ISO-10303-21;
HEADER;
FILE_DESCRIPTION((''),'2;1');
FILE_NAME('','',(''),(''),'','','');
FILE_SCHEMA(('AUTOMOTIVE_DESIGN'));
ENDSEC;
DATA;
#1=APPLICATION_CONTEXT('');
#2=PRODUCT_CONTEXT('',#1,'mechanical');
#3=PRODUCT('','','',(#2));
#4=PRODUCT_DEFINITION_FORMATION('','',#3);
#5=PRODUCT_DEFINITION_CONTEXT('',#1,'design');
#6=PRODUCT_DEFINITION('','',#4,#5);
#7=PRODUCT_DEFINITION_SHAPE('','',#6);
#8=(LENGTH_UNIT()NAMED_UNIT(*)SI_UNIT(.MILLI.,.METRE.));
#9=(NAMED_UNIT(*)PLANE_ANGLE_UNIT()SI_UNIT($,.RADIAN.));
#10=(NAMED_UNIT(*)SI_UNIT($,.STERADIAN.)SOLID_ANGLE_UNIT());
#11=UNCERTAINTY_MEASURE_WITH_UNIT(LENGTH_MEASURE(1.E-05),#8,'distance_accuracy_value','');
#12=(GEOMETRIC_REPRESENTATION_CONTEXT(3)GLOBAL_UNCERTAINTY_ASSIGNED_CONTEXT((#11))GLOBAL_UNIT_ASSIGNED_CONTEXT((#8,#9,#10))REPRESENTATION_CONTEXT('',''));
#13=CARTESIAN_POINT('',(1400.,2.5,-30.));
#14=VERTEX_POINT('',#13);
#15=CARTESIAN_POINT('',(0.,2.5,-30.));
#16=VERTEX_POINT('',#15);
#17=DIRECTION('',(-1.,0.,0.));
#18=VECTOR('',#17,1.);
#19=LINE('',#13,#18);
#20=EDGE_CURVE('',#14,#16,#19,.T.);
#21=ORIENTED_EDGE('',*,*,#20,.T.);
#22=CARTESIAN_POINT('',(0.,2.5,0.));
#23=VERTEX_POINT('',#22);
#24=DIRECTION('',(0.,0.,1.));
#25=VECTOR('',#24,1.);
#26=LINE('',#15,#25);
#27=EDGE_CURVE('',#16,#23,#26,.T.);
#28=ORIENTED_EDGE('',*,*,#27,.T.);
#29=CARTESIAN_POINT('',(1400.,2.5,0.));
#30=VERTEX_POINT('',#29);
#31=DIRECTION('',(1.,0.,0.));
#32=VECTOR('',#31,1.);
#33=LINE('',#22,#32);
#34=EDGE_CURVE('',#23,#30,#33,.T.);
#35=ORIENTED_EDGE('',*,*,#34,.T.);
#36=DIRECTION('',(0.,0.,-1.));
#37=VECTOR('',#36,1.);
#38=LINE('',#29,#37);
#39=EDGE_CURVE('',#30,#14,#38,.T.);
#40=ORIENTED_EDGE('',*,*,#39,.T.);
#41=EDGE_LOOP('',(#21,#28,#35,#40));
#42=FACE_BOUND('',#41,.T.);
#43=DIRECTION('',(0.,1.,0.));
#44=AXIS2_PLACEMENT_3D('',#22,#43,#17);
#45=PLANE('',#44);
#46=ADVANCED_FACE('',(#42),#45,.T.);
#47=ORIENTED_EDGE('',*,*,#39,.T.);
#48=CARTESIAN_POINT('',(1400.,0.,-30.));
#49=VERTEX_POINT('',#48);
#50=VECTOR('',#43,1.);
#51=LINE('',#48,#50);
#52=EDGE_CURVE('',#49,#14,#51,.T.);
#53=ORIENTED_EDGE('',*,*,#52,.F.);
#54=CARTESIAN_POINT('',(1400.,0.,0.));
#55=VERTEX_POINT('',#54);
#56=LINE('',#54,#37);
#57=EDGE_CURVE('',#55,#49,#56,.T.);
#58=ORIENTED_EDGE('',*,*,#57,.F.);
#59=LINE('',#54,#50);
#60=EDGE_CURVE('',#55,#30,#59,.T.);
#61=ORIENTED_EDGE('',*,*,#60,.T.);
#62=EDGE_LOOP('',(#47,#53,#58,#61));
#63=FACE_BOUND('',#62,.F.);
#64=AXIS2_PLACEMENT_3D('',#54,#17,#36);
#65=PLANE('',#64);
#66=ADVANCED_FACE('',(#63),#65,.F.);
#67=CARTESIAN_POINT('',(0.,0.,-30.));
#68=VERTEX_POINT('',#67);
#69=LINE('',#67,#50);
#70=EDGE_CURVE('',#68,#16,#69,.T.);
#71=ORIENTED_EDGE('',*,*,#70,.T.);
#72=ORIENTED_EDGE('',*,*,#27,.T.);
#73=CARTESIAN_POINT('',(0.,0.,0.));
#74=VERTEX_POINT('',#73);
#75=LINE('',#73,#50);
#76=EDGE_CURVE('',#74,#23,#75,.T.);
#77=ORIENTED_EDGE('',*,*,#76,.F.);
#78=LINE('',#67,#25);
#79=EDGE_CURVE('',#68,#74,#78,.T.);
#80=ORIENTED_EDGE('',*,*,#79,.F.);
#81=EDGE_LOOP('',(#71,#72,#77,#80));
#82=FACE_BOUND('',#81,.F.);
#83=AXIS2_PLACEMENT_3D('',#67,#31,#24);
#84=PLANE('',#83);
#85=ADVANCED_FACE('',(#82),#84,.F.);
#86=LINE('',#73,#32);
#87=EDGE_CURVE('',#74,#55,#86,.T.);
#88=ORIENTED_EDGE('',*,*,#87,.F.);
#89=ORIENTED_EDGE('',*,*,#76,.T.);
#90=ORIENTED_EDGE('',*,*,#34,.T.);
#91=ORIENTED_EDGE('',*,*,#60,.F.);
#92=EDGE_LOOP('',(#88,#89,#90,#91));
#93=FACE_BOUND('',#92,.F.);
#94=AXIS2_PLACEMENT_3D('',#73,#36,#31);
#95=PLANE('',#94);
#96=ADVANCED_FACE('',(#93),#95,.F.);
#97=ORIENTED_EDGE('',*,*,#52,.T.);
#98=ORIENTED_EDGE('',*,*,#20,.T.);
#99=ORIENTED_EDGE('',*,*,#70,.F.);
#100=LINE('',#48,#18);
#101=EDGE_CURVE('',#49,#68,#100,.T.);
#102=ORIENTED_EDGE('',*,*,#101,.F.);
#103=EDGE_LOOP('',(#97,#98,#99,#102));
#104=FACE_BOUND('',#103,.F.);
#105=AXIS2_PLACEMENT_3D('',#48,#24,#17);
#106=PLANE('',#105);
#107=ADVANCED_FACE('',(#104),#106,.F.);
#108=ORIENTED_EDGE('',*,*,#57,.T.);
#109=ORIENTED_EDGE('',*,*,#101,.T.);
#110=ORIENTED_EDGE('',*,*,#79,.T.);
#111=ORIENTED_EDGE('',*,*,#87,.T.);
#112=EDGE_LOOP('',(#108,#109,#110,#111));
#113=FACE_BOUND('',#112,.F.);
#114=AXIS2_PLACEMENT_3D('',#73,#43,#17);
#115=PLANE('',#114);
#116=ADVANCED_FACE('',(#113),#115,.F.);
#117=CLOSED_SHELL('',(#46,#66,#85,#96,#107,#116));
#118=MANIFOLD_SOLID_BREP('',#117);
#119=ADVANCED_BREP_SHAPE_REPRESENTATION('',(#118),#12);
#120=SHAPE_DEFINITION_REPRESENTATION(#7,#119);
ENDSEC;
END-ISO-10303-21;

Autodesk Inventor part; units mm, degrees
ref_plane "YZ Plane" through (0, 0, 0) normal (1, 0, 0) x (0, 1, 0)
ref_plane "XZ Plane" through (0, 0, 0) normal (0, 1, 0) x (-1, 0, 0)
ref_plane "XY Plane" through (0, 0, 0) normal (0, 0, 1) x (1, 0, 0)
sketch "Sketch1" plane through (0, 0, 0) normal (0, 1, 0) x (-1, 0, 0)
  line L0 (0, 0) -> (-1400, 0)
  line L1 (-1400, 0) -> (-1400, -30)
  line L2 (-1400, -30) -> (0, -30)
  line L3 (0, -30) -> (0, 0)
  dimension "d0" = 1400
  dimension "d1" = 30
extrude "Extrusion1" add sketch "Sketch1" along normal blind 2.5
properties part number "Hinge" material "Steel"
